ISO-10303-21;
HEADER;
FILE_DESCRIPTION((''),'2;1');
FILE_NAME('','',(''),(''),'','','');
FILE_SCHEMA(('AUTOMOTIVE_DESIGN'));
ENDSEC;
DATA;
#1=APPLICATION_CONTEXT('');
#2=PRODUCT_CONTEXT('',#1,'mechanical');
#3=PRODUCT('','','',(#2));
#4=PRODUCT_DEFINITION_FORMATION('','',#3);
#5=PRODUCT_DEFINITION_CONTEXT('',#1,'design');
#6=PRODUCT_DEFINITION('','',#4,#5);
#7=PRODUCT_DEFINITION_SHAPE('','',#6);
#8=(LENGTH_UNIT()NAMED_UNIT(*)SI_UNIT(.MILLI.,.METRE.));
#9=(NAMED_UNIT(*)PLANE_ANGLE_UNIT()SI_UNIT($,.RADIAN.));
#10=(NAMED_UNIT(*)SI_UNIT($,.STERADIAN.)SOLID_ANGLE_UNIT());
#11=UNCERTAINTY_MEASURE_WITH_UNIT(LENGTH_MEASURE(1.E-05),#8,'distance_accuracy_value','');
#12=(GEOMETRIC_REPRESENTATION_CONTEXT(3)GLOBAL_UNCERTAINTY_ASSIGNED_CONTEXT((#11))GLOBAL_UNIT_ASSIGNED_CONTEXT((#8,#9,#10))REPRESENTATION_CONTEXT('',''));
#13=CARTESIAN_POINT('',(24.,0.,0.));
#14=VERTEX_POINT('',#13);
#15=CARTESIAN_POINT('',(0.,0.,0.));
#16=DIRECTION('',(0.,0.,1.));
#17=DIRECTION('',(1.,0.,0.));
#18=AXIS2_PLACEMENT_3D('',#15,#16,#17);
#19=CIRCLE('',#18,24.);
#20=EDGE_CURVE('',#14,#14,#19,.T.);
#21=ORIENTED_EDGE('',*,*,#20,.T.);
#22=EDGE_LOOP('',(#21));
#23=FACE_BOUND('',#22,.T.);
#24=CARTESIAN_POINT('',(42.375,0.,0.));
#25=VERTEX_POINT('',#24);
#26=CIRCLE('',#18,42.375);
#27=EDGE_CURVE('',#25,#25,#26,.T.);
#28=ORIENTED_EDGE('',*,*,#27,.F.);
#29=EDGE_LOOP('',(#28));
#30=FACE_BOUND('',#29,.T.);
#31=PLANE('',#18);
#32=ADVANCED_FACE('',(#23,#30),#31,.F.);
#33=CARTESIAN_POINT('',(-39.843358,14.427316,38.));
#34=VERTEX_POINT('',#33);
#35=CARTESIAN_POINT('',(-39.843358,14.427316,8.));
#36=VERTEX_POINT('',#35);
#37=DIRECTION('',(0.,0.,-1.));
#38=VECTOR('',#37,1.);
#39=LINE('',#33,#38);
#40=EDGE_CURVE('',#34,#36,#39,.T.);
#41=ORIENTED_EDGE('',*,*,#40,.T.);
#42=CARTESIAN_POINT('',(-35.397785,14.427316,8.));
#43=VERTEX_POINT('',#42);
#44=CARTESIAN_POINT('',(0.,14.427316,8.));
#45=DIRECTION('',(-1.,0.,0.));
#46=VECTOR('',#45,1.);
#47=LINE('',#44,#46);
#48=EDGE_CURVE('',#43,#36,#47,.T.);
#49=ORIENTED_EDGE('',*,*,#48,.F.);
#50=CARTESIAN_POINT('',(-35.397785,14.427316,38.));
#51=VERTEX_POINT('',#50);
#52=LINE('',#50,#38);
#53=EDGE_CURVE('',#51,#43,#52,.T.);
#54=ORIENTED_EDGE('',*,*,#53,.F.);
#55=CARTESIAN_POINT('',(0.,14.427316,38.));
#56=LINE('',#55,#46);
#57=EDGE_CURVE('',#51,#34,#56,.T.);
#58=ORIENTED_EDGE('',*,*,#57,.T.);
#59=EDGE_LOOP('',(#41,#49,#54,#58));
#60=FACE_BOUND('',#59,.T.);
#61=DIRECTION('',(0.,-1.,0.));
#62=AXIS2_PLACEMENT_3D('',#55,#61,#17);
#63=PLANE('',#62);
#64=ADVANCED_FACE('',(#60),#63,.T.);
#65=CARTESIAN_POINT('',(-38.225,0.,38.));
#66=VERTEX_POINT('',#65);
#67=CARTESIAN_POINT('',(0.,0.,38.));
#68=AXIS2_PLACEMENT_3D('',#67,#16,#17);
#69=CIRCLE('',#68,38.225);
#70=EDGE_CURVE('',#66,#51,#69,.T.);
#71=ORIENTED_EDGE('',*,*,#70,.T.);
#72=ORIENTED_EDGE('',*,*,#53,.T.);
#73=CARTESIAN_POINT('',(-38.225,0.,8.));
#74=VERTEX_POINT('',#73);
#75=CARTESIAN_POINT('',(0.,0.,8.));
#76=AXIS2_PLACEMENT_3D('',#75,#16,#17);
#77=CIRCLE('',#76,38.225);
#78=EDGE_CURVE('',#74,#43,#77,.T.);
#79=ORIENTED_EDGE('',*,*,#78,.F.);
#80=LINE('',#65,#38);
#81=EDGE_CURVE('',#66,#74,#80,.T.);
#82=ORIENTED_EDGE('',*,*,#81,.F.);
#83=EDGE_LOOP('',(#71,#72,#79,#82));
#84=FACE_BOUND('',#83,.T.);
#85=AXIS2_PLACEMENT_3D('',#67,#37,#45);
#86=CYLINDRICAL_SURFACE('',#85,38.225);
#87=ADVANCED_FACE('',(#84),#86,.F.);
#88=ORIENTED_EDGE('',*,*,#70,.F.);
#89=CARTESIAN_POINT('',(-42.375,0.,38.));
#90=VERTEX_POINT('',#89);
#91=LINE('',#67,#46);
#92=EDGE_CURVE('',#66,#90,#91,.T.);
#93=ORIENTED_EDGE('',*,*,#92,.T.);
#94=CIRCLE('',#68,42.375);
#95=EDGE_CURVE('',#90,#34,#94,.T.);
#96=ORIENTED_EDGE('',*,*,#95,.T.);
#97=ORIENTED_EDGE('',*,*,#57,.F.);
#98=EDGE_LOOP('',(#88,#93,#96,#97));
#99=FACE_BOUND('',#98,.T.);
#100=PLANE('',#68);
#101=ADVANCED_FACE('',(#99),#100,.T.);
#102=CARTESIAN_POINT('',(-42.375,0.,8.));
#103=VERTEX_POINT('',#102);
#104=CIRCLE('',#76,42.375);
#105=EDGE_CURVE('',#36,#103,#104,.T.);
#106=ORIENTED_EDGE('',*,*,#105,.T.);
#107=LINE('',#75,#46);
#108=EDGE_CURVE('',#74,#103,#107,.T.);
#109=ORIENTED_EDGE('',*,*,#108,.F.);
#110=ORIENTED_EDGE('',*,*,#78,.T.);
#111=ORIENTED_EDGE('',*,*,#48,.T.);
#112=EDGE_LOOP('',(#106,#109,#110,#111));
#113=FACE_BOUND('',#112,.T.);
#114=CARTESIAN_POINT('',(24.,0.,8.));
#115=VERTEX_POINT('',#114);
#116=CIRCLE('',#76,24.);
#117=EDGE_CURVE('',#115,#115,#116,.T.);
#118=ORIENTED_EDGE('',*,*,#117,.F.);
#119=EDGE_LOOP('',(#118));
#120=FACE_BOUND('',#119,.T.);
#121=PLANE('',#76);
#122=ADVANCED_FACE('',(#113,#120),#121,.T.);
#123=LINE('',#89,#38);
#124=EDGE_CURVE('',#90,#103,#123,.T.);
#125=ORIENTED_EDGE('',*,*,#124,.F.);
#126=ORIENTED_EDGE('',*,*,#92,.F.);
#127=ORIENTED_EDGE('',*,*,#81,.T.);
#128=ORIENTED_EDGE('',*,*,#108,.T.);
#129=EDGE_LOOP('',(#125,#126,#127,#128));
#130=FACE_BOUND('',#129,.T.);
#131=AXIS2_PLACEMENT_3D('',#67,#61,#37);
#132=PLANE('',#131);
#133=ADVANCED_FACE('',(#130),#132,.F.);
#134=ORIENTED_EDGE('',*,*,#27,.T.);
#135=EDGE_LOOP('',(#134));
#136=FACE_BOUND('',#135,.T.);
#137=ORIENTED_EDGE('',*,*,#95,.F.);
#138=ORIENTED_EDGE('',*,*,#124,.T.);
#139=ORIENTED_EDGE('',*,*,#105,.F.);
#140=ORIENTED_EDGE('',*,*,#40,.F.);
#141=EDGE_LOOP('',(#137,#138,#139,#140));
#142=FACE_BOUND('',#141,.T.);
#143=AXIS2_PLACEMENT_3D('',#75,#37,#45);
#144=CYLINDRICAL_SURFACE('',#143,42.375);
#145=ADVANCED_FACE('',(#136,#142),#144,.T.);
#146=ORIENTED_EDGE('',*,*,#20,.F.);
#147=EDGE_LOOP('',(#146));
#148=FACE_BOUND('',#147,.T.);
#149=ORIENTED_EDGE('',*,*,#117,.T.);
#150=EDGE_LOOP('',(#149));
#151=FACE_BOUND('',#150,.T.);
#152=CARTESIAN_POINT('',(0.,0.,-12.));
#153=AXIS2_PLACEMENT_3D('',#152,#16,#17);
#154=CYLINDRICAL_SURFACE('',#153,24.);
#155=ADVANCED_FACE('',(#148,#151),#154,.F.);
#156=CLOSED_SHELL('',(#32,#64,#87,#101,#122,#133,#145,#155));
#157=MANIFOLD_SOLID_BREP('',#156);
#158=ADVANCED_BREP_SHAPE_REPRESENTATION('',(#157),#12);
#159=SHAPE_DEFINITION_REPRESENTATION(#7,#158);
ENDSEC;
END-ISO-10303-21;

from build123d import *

# Parameters (mm, degrees)
SKETCH1_R           = 42.375
BOSS_EXTRUDE1_DEPTH = 8
BOSS_EXTRUDE2_DEPTH = 30
SKETCH4_R           = 24
CUT_EXTRUDE1_DEPTH  = 20


with BuildPart() as part:
    # Sketch1 → Boss-Extrude1 (new body)
    with BuildSketch(Plane.XY):
        Circle(SKETCH1_R)
    extrude(amount=BOSS_EXTRUDE1_DEPTH)

    # Sketch2 → Boss-Extrude2 (add)
    with BuildSketch(Plane.XY.offset(8)):
        with BuildLine():
            ThreePointArc((38.225, 0), (0, -38.225), (-38.225, 0))
            Line((-38.225, 0), (-42.375, 0))
            ThreePointArc((-42.375, 0), (0, -42.375), (42.375, 0))
            ThreePointArc((42.375, 0), (7.323876107, 41.737291045), (-39.843358172, 14.42731557))
            Line((-39.843358172, 14.42731557), (-35.397785106, 14.42731557))
            ThreePointArc((-35.397785106, 14.42731557), (7.35086013, 37.511537963), (38.225, 0))
        make_face()
    extrude(amount=BOSS_EXTRUDE2_DEPTH)

    # Sketch4 → Cut-Extrude1 (cut)
    with BuildSketch(Plane.XY.offset(8)):
        Circle(SKETCH4_R)
    extrude(amount=-CUT_EXTRUDE1_DEPTH, mode=Mode.SUBTRACT)


solid = part.part
